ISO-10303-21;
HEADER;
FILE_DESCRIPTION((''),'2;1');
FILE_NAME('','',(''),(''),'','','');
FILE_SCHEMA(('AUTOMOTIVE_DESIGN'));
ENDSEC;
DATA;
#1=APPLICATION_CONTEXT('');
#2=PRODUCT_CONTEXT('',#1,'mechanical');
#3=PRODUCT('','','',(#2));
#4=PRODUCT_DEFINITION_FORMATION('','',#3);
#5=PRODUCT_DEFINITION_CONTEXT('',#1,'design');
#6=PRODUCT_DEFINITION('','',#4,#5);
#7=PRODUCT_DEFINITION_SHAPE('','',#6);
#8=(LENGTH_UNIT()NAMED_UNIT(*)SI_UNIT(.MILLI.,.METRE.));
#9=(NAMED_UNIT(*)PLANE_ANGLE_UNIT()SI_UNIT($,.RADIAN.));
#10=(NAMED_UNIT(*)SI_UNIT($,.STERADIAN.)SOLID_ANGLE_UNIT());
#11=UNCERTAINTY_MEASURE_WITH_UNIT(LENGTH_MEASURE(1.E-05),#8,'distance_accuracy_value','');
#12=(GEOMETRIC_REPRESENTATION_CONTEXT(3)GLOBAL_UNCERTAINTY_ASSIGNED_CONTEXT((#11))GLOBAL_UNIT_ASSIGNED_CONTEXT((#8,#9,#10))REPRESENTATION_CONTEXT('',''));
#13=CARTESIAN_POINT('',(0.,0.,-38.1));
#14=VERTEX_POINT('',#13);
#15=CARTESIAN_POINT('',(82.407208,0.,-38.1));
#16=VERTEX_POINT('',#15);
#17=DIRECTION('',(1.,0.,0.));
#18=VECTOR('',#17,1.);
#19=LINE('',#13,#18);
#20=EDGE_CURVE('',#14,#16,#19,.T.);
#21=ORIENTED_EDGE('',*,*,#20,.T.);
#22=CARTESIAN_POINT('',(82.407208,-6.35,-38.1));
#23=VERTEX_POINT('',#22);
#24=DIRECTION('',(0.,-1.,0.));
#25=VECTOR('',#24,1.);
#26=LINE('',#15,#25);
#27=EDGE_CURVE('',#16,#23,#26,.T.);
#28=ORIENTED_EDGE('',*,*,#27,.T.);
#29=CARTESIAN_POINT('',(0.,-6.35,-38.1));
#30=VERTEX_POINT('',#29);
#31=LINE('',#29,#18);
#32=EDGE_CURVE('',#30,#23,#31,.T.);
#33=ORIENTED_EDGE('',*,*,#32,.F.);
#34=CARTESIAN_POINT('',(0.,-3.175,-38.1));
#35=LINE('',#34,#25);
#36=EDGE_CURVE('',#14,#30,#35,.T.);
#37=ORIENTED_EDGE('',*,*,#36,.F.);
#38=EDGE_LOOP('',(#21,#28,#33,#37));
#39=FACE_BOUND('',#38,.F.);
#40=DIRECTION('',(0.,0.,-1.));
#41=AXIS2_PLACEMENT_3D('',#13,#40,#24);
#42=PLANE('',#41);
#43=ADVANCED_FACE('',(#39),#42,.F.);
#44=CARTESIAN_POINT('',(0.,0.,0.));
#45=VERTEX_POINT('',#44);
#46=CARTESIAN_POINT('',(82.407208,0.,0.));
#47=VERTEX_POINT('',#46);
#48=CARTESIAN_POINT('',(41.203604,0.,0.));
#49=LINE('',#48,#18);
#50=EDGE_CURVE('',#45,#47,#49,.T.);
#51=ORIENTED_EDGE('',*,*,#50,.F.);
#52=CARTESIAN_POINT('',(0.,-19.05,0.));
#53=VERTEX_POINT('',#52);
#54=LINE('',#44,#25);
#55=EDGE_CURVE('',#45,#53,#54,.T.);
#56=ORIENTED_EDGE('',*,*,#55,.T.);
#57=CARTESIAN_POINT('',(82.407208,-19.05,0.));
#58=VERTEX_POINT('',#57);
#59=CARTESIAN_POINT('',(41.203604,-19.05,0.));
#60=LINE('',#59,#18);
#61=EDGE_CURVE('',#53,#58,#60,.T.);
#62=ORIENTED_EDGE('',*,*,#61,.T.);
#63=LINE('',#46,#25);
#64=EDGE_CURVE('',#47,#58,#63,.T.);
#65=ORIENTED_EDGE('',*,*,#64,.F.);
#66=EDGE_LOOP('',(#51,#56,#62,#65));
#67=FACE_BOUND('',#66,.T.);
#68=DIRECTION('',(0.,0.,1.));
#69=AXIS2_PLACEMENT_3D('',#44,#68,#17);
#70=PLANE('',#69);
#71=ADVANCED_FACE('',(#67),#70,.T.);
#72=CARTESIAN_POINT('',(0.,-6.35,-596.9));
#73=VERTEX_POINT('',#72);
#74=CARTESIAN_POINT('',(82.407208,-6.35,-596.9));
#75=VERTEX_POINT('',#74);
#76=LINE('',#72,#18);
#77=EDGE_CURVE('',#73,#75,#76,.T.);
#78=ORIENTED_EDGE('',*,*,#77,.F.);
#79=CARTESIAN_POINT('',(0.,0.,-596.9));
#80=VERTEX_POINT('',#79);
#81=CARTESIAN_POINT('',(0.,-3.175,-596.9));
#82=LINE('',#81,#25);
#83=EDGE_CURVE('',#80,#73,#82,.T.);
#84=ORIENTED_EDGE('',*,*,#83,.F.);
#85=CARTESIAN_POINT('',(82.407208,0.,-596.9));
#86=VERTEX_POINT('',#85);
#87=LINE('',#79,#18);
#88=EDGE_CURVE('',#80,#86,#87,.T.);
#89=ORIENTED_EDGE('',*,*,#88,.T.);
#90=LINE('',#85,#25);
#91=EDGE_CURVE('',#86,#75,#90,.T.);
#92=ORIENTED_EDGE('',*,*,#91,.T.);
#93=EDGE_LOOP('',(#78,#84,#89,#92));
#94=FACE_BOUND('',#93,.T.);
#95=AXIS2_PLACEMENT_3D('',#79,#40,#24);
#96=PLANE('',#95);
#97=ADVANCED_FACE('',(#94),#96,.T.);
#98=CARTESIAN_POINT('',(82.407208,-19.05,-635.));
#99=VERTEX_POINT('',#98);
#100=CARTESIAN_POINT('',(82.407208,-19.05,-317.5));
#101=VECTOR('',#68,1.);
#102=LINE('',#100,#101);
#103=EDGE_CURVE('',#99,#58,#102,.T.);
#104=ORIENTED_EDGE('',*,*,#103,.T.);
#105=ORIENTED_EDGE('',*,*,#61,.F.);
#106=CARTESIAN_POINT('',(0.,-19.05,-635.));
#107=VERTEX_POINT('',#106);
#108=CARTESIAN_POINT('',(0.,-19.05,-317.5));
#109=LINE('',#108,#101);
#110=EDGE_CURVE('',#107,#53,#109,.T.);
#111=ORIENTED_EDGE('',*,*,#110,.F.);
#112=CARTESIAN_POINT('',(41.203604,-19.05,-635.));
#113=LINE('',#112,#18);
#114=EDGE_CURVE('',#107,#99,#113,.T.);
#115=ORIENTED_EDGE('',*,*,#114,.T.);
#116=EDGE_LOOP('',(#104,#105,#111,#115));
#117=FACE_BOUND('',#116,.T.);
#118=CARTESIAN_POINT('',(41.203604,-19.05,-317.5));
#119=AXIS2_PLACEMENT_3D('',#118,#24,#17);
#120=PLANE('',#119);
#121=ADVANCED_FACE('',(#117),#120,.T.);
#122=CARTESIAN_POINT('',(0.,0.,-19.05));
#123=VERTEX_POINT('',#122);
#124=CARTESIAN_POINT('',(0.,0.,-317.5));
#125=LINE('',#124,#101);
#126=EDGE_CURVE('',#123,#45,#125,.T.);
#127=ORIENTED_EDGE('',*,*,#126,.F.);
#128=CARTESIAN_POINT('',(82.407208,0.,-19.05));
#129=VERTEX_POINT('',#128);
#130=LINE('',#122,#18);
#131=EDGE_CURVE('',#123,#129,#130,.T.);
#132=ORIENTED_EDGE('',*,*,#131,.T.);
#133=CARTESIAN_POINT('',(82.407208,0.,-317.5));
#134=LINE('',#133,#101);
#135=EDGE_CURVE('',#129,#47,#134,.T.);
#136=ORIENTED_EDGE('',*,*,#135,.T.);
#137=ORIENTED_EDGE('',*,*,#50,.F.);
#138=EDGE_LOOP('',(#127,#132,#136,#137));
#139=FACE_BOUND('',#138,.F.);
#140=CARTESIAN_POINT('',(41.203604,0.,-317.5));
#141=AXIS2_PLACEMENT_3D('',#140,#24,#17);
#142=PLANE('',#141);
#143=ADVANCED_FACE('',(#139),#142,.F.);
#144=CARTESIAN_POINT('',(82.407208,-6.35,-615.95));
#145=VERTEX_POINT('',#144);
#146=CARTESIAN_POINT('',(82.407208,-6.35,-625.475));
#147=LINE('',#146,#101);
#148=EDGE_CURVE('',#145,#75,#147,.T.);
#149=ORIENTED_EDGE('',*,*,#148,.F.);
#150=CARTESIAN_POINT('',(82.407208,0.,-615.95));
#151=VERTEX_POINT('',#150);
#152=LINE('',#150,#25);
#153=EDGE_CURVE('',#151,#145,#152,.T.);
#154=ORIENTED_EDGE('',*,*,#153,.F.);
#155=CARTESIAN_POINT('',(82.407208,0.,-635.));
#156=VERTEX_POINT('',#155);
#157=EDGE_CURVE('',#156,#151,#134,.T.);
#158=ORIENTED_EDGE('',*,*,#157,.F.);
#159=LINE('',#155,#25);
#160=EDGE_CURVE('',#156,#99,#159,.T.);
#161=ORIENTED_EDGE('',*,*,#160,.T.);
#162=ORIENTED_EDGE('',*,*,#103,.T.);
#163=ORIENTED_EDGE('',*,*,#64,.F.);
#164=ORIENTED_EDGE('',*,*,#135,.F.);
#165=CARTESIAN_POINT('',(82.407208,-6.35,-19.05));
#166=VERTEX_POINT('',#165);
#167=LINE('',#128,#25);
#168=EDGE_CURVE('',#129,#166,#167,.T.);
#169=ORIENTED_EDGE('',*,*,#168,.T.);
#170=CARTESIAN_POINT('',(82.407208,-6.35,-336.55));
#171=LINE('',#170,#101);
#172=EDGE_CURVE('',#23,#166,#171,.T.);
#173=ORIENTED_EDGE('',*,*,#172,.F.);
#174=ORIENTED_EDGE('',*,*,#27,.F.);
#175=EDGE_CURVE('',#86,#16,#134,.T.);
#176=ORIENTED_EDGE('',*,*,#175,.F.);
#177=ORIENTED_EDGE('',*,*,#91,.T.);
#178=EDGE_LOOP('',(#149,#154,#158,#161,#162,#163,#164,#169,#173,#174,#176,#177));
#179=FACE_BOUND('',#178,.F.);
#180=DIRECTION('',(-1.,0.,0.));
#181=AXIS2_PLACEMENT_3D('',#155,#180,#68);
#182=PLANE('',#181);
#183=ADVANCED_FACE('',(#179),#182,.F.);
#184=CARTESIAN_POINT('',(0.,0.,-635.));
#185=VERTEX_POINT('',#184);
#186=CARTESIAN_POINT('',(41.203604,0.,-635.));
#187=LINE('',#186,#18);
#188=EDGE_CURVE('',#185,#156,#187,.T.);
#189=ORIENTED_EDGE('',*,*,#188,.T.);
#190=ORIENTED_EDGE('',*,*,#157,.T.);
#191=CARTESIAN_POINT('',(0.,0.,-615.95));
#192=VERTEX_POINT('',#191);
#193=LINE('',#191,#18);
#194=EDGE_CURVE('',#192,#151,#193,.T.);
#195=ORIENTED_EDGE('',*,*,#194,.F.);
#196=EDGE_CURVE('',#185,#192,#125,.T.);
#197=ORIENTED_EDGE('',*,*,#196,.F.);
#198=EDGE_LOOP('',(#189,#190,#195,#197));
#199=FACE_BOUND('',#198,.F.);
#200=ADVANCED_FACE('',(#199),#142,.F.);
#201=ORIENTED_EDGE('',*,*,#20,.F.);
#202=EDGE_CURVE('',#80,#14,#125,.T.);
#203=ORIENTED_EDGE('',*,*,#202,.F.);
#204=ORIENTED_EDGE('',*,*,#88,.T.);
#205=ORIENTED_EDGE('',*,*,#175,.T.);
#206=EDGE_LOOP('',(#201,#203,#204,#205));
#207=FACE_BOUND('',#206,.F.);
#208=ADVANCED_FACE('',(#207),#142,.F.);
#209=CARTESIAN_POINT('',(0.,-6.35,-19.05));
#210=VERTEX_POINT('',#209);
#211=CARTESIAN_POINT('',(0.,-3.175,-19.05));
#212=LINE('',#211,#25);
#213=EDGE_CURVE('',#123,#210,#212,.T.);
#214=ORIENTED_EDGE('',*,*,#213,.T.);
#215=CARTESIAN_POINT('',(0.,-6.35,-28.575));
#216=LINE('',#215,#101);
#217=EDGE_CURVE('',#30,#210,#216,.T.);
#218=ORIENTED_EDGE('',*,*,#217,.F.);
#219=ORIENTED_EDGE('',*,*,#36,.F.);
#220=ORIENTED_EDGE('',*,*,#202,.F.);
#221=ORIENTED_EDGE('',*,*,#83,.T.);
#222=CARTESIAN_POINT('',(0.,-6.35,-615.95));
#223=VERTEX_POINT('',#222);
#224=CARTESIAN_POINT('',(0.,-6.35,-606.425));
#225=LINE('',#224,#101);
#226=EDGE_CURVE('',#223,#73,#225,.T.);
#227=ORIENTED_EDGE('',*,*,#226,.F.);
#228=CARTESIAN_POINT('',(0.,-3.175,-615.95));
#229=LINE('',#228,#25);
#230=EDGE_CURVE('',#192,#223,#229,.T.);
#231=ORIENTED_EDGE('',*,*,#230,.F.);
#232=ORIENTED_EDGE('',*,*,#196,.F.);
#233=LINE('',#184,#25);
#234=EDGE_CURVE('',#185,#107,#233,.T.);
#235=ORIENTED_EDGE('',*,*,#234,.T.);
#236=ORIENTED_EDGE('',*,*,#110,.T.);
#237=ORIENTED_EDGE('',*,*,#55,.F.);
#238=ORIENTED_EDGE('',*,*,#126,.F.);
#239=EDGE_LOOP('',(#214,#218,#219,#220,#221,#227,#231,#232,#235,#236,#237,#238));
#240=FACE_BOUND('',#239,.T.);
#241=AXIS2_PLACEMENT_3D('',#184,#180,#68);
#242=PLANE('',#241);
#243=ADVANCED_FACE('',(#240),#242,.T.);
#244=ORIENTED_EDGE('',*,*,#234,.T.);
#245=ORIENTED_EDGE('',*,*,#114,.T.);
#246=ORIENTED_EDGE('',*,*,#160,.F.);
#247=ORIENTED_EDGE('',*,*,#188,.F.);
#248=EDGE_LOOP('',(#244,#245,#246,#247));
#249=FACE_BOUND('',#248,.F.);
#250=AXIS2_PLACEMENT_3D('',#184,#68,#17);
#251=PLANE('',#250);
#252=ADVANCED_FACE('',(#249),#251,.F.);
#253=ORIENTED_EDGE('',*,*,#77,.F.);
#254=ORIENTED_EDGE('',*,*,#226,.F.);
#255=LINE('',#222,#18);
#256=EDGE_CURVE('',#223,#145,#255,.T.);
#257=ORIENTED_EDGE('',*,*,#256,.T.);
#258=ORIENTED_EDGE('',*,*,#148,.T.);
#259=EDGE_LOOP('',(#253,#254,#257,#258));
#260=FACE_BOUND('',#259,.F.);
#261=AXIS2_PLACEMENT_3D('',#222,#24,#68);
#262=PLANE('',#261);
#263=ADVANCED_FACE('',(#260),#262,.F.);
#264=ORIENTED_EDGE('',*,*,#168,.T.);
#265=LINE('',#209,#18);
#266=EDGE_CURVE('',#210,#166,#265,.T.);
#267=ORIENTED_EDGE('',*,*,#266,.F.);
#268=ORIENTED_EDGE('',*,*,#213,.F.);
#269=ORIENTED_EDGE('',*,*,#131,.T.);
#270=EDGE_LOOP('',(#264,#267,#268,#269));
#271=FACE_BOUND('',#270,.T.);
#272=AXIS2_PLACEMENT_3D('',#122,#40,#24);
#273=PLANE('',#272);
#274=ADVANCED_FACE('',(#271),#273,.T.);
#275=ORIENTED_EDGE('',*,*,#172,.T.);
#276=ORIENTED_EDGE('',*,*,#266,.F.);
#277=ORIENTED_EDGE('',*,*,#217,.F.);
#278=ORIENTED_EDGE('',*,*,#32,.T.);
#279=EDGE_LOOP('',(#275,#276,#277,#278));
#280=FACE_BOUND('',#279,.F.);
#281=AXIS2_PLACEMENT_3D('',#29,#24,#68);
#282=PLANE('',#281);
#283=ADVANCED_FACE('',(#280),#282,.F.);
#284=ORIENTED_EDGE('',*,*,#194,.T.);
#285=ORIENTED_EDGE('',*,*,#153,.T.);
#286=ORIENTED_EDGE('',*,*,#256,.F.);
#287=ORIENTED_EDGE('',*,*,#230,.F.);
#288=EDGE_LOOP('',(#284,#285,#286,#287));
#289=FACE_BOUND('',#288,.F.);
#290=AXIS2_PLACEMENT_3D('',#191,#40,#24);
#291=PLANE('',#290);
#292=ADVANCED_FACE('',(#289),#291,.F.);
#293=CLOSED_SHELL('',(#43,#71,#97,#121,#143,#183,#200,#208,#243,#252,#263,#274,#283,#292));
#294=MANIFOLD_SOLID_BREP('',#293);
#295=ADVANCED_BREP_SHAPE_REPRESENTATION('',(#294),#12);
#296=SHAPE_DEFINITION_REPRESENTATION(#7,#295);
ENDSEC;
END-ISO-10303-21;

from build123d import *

# Parameters (mm, degrees)
F0_W     = 82.407208
F0_H     = 635
F1_DEPTH = 19.05
F2_W     = 6.35
F2_H     = 19.05
F3_DEPTH = 82.408208


with BuildPart() as f1:
    # F0 (on Front) → F1 (new body)
    with BuildSketch(Plane.XZ):
        with Locations((41.203604, -317.5)):
            Rectangle(F0_W, F0_H)
    extrude(amount=F1_DEPTH)

    # F2 (on face) → F3 (cut, through all)
    with BuildSketch(Plane(origin=(0, 0, 0), x_dir=(0, -1, 0), z_dir=(-1, 0, 0))):
        with Locations((3.175, -28.575)):
            Rectangle(F2_W, F2_H)
        with Locations((3.175, -606.425)):
            Rectangle(F2_W, F2_H)
    extrude(amount=-F3_DEPTH, mode=Mode.SUBTRACT)


solid = f1.part
